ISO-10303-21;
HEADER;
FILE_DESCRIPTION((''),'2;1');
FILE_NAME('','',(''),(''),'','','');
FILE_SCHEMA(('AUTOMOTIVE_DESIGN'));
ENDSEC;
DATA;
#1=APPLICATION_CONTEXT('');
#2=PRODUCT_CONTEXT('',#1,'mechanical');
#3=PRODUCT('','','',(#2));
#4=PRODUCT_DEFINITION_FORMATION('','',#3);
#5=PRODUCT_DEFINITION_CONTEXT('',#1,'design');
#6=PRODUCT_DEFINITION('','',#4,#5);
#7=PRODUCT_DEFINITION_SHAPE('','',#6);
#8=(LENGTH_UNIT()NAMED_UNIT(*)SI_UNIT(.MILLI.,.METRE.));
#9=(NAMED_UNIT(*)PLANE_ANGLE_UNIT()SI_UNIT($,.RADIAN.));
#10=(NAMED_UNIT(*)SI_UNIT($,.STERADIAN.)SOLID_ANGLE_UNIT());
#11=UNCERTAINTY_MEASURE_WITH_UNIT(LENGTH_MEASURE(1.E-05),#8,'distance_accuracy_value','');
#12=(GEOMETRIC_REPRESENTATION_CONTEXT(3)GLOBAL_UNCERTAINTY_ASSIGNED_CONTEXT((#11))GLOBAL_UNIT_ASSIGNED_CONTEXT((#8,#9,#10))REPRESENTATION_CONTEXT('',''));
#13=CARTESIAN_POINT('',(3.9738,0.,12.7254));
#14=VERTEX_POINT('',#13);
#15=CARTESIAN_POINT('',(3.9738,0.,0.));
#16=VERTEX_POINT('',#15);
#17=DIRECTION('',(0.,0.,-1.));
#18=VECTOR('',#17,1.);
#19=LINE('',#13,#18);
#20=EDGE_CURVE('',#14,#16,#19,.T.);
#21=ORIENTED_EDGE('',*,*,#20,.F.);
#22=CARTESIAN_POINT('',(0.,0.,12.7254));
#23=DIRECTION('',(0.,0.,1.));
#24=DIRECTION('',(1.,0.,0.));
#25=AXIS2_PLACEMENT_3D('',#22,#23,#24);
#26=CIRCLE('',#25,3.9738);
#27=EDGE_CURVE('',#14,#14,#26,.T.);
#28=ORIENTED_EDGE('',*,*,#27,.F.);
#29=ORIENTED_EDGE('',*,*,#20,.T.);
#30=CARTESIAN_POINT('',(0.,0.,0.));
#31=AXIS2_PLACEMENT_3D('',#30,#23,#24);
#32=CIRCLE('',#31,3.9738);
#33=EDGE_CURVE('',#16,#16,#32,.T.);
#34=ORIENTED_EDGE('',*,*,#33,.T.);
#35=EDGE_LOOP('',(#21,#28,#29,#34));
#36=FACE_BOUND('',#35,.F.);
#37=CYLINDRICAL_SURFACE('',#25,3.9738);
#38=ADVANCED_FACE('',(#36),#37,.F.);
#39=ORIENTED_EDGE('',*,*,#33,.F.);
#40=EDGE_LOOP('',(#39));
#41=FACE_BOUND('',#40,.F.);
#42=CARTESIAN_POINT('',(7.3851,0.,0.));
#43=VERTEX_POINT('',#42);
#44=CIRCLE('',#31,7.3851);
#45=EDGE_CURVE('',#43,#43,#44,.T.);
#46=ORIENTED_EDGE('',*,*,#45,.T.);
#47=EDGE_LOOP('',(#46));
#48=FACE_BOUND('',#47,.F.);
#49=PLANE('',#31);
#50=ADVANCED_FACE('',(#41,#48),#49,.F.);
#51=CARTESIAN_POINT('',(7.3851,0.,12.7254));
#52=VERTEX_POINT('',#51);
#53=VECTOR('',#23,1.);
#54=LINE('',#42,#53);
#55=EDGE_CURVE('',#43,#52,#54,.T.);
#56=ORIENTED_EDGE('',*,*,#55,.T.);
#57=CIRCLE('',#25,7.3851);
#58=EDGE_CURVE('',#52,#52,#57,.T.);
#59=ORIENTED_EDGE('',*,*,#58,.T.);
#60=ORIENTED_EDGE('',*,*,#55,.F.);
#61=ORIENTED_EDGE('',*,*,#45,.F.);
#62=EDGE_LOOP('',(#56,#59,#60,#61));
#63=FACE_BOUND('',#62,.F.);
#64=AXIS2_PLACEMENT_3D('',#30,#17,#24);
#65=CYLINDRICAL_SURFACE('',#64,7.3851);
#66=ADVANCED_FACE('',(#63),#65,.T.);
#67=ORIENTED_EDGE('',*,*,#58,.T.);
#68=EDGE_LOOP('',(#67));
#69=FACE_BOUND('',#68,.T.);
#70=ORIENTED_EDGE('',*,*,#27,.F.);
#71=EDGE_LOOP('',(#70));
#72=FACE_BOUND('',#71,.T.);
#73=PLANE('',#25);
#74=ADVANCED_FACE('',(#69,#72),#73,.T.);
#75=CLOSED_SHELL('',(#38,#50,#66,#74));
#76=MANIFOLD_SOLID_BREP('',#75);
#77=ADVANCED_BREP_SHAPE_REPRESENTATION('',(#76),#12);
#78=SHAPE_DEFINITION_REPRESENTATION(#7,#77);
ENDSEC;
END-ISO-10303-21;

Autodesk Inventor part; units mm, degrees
ref_plane "YZ Plane" through (0, 0, 0) normal (1, 0, 0) x (0, 1, 0)
ref_plane "XZ Plane" through (0, 0, 0) normal (0, 1, 0) x (-1, 0, 0)
ref_plane "XY Plane" through (0, 0, 0) normal (0, 0, 1) x (1, 0, 0)
sketch "Sketch1" plane through (0, 0, 0) normal (0, 0, 1) x (1, 0, 0)
  circle A0 centre (0, 0) radius 7.3851
  dimension "d0" = 14.7701
extrude "Extrusion1" add sketch "Sketch1" along normal blind 12.7254
sketch "Sketch2" plane through (0, 0, 12.7254) normal (0, 0, 1) x (1, 0, 0)
  circle A0 centre (0, 0) radius 3.9738
  dimension "d3" = 7.9477
extrude "Extrusion2" cut sketch "Sketch2" against normal blind 12.7254
properties part number "small pinion gear"
